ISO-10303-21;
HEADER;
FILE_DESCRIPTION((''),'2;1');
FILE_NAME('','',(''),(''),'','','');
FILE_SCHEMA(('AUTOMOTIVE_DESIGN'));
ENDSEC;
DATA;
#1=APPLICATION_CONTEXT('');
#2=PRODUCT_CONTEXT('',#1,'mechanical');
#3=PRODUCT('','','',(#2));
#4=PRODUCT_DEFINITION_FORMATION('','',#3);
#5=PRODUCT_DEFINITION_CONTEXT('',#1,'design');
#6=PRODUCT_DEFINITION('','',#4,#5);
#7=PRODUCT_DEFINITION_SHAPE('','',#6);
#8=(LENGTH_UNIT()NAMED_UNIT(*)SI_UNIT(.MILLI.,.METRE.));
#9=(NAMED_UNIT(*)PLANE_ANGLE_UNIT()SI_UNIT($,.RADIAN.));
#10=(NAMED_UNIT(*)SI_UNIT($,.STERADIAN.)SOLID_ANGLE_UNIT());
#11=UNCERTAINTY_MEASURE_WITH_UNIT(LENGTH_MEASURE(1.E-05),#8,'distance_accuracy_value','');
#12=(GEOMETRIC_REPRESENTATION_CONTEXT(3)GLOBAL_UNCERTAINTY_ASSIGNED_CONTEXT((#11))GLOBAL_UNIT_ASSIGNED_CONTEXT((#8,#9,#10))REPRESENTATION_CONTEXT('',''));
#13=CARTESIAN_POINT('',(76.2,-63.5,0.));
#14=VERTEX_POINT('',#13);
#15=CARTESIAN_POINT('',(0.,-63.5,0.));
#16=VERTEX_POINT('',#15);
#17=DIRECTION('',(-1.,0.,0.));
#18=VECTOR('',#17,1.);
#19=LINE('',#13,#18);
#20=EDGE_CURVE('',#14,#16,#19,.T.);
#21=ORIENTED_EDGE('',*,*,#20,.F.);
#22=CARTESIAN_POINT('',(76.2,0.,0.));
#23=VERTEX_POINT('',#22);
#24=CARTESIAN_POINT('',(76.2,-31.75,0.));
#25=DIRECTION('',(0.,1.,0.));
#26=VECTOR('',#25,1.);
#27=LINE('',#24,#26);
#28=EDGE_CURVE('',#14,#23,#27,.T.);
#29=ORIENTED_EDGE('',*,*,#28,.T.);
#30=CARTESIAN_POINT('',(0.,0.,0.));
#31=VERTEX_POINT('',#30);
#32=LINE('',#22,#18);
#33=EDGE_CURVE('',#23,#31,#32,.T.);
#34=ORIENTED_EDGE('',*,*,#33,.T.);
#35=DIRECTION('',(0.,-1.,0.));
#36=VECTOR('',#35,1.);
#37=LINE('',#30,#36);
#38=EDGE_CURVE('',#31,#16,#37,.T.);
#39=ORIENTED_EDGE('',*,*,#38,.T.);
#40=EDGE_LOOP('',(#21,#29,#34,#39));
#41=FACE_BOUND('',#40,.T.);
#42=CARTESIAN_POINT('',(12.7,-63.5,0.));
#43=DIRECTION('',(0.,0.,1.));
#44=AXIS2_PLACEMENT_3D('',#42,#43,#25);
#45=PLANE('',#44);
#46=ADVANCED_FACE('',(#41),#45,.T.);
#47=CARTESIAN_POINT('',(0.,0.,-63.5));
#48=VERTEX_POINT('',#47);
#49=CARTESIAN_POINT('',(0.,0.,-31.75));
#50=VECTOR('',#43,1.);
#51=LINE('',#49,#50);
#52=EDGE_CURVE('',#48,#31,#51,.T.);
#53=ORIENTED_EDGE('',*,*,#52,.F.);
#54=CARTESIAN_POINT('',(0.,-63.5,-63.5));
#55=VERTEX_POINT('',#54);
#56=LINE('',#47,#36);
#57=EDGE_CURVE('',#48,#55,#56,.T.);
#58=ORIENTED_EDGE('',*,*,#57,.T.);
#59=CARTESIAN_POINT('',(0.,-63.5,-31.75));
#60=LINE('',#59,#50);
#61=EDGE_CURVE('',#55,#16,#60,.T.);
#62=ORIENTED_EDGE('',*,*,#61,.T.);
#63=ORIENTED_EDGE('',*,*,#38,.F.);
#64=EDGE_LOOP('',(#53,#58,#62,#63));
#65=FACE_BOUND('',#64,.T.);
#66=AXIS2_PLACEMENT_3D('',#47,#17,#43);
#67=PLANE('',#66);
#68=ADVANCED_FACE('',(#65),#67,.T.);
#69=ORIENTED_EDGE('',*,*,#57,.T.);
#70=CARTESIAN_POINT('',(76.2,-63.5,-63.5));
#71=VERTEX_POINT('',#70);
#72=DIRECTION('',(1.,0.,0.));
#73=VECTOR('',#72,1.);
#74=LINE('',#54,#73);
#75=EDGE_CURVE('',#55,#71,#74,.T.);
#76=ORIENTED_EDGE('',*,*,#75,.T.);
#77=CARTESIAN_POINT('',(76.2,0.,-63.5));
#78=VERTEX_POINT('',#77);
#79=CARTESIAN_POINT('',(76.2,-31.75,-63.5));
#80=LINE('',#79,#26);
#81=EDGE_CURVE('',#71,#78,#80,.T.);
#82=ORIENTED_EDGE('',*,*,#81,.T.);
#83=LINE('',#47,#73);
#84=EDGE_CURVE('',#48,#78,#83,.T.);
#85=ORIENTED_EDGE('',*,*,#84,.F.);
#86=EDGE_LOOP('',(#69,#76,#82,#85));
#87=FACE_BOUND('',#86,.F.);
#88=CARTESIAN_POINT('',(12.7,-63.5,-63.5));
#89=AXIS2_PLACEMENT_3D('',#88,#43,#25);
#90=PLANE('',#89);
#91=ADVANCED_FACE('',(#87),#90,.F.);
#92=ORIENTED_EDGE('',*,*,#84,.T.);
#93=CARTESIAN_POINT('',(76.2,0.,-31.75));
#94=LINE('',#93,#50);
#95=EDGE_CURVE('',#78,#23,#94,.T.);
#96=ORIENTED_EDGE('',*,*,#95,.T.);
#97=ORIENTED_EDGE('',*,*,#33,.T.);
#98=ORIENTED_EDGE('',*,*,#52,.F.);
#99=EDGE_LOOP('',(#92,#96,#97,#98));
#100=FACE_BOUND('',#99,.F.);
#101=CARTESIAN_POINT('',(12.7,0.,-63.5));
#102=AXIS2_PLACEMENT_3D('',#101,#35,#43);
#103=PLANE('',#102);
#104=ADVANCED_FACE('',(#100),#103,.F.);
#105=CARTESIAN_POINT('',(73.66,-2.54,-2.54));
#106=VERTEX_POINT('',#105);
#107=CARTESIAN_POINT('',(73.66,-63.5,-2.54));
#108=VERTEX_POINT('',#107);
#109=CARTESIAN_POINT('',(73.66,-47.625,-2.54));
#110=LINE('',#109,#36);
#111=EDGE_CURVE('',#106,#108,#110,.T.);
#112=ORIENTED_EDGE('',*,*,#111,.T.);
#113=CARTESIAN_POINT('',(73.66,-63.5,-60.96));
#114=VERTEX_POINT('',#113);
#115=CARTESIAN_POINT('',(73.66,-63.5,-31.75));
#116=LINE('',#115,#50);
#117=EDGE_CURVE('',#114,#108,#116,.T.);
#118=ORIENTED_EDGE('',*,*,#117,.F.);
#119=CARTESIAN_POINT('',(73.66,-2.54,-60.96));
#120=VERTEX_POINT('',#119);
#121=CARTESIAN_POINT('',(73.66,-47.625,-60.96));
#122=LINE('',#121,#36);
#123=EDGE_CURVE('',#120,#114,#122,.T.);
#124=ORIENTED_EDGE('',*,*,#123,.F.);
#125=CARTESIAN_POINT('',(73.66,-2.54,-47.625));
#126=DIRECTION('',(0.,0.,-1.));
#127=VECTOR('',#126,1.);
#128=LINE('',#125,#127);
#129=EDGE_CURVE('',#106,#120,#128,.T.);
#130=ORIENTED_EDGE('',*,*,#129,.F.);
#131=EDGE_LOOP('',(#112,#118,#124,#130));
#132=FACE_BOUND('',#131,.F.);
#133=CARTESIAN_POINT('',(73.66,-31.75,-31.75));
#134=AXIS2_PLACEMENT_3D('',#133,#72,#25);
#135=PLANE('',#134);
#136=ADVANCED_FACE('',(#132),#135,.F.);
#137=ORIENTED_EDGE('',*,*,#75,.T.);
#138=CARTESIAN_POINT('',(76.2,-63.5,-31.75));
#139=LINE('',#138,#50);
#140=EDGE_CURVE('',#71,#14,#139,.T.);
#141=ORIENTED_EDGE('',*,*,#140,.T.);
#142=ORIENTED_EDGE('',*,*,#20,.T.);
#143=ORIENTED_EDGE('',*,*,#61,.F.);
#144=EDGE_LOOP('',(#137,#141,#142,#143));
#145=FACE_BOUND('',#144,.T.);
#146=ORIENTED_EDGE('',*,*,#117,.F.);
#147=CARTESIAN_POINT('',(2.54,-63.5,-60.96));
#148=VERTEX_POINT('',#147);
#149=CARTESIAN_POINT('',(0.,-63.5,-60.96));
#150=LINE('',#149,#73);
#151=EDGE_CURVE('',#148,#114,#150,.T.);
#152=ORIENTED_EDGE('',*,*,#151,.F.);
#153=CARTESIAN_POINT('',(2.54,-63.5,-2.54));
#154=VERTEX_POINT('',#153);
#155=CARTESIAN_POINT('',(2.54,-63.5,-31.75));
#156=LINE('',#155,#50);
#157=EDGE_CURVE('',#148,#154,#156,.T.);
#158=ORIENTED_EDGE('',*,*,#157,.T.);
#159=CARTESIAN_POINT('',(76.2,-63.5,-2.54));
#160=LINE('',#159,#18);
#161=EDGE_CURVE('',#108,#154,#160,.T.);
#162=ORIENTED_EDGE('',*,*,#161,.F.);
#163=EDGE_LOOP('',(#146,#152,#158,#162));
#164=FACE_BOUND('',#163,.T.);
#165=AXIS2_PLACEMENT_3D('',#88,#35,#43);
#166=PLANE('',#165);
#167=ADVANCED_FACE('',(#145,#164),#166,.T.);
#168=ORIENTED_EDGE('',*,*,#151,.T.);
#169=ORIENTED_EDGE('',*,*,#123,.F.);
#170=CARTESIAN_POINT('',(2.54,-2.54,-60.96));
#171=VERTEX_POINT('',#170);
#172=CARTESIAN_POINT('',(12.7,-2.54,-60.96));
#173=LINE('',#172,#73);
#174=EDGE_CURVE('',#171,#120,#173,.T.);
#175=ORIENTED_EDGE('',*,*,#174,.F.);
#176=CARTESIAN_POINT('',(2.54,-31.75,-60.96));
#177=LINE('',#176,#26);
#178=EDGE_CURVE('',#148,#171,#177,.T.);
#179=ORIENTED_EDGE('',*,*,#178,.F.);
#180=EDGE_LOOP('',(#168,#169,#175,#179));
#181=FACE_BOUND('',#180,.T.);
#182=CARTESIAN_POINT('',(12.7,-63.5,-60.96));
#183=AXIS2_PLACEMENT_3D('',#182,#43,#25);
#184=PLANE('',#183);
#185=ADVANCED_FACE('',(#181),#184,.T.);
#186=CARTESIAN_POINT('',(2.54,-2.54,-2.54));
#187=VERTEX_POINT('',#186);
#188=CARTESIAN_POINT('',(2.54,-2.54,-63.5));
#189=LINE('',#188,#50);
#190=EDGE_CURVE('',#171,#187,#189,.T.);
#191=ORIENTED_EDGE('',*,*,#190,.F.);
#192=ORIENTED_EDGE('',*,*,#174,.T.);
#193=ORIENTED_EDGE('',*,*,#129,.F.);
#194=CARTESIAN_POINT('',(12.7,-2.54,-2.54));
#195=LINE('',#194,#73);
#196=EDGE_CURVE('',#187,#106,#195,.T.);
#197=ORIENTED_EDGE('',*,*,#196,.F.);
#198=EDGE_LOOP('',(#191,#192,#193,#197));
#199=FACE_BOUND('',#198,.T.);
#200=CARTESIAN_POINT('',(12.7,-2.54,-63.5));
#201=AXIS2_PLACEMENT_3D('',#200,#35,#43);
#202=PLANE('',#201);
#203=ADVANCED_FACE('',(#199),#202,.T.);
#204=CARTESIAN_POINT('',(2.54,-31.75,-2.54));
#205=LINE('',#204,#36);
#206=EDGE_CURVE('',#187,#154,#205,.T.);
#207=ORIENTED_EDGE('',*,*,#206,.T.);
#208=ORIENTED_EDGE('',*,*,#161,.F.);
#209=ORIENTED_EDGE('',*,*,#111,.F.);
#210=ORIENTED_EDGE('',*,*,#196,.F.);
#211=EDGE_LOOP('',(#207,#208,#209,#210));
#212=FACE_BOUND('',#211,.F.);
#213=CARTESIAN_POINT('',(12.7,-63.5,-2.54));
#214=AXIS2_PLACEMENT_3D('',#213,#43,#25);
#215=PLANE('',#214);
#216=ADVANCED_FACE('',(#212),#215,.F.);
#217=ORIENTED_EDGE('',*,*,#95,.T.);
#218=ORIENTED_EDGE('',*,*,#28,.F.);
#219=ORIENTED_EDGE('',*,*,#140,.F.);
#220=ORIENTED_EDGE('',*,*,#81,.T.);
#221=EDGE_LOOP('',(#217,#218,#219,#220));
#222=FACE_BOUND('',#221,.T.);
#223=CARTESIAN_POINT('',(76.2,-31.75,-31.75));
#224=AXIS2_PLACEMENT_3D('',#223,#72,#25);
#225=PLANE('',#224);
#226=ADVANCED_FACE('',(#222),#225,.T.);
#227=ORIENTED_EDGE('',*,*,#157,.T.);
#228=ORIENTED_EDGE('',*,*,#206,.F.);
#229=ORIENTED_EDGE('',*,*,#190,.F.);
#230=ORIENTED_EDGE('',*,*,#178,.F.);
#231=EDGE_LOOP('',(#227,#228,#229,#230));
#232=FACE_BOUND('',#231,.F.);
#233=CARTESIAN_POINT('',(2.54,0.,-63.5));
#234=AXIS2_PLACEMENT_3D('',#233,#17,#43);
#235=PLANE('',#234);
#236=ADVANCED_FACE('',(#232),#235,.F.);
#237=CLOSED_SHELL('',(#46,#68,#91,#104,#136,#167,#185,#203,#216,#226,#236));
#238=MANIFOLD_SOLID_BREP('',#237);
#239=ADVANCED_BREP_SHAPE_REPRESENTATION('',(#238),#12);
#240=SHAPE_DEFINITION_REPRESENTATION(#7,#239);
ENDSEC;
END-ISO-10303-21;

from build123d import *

# Parameters (mm, degrees)
F0_W      = 12.7
F0_H      = 63.5
F1_DEPTH  = 63.5
F1_FACE_W = 63.5
F1_FACE_H = 63.5
F2_DEPTH  = 63.5
F3_T      = -2.54


with BuildPart() as f1:
    # F0 (on Front) → F1 (new body)
    with BuildSketch(Plane.XZ):
        with Locations((6.35, -31.75)):
            Rectangle(F0_W, F0_H)
    extrude(amount=F1_DEPTH)

    # F1_face (on face) → F2 (join)
    with BuildSketch(Plane(origin=(12.7, -31.75, -31.75), x_dir=(0, 1, 0), z_dir=(1, 0, 0))):
        Rectangle(F1_FACE_W, F1_FACE_H)
    extrude(amount=F2_DEPTH)

    # F3
    f3_openings = [f1.faces().sort_by_distance(p)[0] for p in [
        (38.1, -63.5, -31.75),
    ]]
    offset(amount=F3_T, openings=f3_openings)


solid = f1.part
